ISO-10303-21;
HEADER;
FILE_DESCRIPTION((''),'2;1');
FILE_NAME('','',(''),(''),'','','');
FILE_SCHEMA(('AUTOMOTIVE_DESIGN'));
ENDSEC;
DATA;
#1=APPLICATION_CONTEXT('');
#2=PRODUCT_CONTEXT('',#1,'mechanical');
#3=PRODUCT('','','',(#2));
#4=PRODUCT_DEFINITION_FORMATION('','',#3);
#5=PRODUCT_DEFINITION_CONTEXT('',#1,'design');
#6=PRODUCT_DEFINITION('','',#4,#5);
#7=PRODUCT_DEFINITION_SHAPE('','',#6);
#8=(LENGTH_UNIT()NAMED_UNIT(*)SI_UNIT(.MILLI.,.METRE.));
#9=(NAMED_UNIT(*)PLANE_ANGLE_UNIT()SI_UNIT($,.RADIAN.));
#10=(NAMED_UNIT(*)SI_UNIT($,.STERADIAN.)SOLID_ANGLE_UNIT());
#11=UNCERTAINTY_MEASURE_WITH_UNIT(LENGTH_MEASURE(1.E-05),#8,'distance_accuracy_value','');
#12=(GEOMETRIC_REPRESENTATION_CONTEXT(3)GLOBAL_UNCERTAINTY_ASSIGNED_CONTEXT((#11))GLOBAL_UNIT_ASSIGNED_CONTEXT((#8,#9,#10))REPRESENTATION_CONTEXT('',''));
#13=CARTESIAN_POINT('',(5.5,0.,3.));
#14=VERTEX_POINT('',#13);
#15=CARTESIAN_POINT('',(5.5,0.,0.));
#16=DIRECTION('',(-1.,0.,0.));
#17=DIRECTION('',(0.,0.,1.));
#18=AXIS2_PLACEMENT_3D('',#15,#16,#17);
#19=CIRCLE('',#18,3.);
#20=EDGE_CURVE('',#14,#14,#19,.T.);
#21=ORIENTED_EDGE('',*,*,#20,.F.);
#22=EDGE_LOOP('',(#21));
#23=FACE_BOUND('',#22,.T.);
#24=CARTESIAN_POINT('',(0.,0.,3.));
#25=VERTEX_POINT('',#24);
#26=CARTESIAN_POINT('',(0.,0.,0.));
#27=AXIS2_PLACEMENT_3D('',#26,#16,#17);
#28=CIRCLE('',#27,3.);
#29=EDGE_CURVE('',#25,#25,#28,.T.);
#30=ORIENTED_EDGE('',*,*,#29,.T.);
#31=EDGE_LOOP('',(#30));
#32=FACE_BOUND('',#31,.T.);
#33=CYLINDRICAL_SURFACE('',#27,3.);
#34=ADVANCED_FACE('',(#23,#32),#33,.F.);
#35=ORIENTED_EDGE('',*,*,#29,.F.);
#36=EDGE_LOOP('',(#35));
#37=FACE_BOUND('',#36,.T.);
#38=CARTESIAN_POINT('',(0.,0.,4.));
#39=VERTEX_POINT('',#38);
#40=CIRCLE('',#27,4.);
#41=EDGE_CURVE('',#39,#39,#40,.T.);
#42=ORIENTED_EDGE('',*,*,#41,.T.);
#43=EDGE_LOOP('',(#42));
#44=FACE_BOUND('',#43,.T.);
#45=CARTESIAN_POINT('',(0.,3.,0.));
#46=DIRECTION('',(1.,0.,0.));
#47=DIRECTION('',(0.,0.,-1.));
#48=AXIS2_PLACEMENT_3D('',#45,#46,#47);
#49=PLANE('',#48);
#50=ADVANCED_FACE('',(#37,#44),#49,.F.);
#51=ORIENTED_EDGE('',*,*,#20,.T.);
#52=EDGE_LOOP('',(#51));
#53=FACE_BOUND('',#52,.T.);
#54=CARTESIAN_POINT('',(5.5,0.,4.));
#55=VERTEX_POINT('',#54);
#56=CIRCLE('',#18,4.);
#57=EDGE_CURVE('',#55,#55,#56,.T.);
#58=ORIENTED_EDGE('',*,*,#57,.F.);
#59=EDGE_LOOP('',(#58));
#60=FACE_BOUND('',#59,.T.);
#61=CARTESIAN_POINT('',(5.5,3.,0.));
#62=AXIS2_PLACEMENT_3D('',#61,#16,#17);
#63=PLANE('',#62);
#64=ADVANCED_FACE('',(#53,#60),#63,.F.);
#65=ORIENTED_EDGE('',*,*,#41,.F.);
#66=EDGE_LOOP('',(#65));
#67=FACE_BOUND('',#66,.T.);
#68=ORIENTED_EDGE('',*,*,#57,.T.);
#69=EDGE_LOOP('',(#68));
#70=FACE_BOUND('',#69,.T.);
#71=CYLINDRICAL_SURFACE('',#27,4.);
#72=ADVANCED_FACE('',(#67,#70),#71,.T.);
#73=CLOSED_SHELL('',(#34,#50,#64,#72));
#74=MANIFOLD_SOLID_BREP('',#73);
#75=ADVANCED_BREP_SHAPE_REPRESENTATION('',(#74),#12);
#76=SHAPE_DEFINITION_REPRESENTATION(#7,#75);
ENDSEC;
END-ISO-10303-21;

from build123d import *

# Parameters (mm, degrees)
SKETCH1_W = 5.5
SKETCH1_H = 1


with BuildPart() as part:
    # Sketch1 → Revolve1 (revolve)
    with BuildSketch(Plane.XY, mode=Mode.PRIVATE) as revolve1_sk:
        with Locations((2.75, 3.5)):
            Rectangle(SKETCH1_W, SKETCH1_H)
    revolve(revolve1_sk.sketch.rotate(Axis((0, 0, 0), (1, 0, 0)), 90), axis=Axis((0, 0, 0), (1, 0, 0)))


solid = part.part
